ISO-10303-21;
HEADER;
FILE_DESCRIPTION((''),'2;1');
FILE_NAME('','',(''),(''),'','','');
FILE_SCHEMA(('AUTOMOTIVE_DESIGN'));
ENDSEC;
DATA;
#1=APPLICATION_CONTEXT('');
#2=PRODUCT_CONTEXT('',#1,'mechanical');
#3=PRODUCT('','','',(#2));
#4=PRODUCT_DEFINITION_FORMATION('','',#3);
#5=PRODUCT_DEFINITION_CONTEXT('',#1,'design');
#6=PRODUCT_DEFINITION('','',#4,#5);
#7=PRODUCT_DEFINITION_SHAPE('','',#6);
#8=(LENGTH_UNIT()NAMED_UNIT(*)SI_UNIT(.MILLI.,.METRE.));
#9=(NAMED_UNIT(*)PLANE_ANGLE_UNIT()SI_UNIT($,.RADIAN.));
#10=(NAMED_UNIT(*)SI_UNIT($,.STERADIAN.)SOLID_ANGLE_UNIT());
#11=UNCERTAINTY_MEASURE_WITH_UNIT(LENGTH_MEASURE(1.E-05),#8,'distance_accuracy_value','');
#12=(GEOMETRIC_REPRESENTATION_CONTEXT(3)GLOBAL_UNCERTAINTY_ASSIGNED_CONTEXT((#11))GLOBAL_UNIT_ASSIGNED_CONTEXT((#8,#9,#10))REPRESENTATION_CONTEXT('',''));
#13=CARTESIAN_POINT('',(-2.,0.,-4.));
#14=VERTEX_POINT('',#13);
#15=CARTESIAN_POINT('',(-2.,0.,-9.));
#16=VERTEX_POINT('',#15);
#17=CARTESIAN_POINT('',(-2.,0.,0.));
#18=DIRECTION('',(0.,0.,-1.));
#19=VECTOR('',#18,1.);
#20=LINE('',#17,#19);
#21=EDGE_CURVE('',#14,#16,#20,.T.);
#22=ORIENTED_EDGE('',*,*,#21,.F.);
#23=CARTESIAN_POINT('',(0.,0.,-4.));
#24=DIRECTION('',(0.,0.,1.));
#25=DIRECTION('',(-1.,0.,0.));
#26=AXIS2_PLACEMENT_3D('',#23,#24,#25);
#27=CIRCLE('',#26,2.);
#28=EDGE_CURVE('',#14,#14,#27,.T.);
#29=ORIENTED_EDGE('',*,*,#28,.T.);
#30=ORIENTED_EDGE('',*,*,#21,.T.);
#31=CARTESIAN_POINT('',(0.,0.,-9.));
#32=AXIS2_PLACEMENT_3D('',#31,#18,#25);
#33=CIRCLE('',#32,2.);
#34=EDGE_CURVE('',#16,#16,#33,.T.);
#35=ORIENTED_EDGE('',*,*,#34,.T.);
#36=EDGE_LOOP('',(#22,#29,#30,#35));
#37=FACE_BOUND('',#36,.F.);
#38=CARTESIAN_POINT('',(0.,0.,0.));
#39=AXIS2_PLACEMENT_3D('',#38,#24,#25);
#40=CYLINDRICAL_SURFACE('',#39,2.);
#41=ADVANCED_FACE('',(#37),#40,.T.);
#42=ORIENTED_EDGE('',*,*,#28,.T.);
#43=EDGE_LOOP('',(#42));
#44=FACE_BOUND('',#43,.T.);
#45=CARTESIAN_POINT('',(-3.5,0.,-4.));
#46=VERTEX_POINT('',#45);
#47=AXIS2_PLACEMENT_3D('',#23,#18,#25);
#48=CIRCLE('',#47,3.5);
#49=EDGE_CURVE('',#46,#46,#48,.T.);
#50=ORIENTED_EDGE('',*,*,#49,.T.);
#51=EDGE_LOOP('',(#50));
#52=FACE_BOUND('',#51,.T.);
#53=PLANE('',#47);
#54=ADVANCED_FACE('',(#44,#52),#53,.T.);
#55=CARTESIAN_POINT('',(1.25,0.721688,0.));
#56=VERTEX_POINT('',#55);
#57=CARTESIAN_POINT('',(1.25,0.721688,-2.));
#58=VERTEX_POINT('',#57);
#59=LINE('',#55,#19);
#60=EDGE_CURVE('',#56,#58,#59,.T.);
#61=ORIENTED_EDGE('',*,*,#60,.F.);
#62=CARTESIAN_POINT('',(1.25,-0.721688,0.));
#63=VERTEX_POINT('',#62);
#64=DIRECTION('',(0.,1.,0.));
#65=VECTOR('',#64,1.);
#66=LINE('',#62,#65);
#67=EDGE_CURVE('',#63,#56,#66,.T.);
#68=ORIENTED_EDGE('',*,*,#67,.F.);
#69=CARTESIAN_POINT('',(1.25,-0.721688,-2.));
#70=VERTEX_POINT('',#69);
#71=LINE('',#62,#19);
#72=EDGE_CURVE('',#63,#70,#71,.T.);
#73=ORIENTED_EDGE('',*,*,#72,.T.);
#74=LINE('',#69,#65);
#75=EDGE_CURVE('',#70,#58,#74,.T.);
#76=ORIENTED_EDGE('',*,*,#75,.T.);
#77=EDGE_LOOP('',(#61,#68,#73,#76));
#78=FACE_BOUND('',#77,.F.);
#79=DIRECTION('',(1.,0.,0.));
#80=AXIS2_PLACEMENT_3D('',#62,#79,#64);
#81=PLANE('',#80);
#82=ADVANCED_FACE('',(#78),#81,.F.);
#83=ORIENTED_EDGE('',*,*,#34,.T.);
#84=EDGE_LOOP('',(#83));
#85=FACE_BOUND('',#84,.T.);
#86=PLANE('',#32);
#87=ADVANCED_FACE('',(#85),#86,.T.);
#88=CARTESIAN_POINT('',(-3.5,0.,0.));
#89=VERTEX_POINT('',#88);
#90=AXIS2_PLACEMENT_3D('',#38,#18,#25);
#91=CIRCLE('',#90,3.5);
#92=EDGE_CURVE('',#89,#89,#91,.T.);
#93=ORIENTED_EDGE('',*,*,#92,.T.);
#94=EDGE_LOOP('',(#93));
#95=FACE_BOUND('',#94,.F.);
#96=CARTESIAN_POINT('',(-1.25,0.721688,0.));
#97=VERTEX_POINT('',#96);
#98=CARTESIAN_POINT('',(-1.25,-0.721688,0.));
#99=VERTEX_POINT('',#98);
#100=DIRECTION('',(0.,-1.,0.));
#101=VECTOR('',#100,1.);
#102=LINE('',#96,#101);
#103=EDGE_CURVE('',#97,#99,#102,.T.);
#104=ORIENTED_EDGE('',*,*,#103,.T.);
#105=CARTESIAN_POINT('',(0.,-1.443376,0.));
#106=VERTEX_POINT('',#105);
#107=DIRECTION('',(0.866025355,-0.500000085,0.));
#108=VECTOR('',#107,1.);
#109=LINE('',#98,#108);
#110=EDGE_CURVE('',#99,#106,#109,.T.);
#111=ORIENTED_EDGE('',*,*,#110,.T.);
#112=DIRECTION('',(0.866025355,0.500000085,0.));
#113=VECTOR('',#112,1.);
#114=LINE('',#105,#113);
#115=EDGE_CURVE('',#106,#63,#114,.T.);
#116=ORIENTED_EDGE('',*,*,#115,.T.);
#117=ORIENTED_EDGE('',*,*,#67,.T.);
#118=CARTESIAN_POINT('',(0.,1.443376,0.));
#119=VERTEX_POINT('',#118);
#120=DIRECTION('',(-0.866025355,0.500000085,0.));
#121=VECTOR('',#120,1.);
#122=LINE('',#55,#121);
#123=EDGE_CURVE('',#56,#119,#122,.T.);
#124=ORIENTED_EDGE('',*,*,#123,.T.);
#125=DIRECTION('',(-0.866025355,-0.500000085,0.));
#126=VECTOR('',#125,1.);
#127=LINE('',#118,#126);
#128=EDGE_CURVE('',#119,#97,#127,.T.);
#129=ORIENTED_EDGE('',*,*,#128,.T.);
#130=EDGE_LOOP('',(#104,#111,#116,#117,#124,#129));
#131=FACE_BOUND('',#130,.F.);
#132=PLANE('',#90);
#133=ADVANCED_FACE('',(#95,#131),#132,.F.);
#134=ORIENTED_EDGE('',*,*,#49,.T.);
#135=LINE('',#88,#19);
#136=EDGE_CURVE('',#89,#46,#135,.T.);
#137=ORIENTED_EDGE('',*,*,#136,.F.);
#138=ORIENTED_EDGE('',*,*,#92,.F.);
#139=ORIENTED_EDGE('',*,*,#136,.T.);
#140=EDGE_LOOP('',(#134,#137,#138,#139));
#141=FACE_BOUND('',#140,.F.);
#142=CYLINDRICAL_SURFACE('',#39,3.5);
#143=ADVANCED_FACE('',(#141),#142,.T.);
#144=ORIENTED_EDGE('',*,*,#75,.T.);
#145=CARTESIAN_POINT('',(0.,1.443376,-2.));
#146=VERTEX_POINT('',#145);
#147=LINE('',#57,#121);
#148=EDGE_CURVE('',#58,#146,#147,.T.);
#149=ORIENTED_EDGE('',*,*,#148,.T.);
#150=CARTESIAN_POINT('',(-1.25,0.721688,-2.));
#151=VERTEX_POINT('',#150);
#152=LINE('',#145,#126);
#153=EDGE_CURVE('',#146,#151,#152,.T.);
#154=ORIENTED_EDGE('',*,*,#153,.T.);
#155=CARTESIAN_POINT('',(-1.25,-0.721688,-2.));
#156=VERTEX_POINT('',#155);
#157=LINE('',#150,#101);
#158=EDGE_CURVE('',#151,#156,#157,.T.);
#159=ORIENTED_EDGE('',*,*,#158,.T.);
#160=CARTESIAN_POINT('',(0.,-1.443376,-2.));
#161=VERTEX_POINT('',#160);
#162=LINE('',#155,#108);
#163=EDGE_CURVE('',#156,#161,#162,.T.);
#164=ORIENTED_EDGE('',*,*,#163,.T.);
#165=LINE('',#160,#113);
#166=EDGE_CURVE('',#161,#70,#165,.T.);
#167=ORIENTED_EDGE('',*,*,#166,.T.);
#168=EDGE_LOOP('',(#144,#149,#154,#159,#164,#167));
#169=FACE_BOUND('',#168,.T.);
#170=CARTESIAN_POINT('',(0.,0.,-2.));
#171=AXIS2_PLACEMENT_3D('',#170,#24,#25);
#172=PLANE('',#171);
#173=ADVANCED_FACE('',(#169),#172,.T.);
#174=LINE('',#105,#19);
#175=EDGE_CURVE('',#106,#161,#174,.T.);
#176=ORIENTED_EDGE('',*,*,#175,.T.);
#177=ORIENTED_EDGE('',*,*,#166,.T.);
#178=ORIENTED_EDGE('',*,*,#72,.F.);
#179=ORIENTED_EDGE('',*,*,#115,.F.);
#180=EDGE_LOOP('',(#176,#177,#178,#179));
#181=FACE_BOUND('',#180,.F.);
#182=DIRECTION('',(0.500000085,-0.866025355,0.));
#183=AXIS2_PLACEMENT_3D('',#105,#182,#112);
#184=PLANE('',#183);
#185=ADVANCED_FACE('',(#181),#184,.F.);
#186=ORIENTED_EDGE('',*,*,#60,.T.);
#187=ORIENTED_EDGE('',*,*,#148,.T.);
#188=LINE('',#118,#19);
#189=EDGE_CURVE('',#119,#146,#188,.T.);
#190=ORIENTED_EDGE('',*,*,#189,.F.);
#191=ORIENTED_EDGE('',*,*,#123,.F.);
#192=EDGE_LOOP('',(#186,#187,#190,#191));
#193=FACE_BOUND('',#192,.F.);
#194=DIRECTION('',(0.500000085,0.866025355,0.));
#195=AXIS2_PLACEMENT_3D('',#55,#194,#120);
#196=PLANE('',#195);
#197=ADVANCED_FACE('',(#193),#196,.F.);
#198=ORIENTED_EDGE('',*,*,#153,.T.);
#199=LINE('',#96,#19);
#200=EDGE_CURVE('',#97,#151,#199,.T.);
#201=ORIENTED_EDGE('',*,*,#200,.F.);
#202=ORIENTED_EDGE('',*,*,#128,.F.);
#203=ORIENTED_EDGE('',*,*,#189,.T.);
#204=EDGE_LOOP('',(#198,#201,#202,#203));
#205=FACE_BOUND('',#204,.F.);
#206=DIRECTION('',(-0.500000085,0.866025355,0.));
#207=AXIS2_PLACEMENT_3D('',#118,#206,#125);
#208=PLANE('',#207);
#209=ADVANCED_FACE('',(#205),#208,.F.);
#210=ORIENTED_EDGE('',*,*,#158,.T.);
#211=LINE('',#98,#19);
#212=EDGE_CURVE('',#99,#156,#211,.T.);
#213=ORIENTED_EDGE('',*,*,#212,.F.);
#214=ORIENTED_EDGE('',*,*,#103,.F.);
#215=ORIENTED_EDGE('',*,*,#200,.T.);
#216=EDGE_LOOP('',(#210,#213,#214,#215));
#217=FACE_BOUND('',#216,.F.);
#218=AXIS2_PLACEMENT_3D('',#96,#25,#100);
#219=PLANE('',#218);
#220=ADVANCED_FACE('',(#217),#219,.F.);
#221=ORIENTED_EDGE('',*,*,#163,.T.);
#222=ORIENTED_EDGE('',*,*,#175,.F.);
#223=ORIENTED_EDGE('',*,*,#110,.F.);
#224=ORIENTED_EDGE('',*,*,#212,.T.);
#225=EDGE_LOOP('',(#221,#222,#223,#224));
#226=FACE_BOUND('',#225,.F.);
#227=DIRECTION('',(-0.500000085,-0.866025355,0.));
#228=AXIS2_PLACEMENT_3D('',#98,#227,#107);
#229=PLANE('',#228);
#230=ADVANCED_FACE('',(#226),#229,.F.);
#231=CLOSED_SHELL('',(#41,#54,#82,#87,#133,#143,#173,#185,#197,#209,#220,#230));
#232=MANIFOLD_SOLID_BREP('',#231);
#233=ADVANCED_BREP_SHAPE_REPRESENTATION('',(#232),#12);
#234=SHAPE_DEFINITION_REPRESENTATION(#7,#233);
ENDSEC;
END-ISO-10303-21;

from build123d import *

# Parameters (mm, degrees)
CYLINDER028_R                      = 2
CYLINDER028_DEPTH                  = 9
CYLINDER027_R                      = 3.5
CYLINDER027_DEPTH                  = 4
FUSION001018017024_PLACEMENT_ANGLE = 180
POCKET002018004005005017010_DEPTH  = 2


with BuildPart() as cylinder028:
    # Cylinder028 → Cylinder028 (new body)
    with BuildSketch(Plane.XY):
        Circle(CYLINDER028_R)
    extrude(amount=CYLINDER028_DEPTH)


with BuildPart() as zylinderkopfschraube_m4x6_din912:
    # Cylinder027 → Cylinder027 (new body)
    with BuildSketch(Plane.XY):
        Circle(CYLINDER027_R)
    extrude(amount=CYLINDER027_DEPTH)

    # Fusion001018017024: union Cylinder028
    add(cylinder028.part)


with BuildPart() as zylinderkopfschraube_m4x6_din912_1:
    # Fusion001018017024 placement: moved
    add(zylinderkopfschraube_m4x6_din912.part.rotate(Axis((0, 0, 0), (0, 1, 0)), FUSION001018017024_PLACEMENT_ANGLE))

    # Sketch028 → Pocket002018004005005017010 (cut)
    with BuildSketch(Plane(origin=(0, 0, 0), x_dir=(-1, 0, 0), z_dir=(0, 0, 1))):
        Polygon((1.25, -0.721688), (1.25, 0.721688), (0, 1.443376), (-1.25, 0.721688), (-1.25, -0.721688), (0, -1.443376), align=None)
    extrude(amount=-POCKET002018004005005017010_DEPTH, mode=Mode.SUBTRACT)


solid = zylinderkopfschraube_m4x6_din912_1.part
